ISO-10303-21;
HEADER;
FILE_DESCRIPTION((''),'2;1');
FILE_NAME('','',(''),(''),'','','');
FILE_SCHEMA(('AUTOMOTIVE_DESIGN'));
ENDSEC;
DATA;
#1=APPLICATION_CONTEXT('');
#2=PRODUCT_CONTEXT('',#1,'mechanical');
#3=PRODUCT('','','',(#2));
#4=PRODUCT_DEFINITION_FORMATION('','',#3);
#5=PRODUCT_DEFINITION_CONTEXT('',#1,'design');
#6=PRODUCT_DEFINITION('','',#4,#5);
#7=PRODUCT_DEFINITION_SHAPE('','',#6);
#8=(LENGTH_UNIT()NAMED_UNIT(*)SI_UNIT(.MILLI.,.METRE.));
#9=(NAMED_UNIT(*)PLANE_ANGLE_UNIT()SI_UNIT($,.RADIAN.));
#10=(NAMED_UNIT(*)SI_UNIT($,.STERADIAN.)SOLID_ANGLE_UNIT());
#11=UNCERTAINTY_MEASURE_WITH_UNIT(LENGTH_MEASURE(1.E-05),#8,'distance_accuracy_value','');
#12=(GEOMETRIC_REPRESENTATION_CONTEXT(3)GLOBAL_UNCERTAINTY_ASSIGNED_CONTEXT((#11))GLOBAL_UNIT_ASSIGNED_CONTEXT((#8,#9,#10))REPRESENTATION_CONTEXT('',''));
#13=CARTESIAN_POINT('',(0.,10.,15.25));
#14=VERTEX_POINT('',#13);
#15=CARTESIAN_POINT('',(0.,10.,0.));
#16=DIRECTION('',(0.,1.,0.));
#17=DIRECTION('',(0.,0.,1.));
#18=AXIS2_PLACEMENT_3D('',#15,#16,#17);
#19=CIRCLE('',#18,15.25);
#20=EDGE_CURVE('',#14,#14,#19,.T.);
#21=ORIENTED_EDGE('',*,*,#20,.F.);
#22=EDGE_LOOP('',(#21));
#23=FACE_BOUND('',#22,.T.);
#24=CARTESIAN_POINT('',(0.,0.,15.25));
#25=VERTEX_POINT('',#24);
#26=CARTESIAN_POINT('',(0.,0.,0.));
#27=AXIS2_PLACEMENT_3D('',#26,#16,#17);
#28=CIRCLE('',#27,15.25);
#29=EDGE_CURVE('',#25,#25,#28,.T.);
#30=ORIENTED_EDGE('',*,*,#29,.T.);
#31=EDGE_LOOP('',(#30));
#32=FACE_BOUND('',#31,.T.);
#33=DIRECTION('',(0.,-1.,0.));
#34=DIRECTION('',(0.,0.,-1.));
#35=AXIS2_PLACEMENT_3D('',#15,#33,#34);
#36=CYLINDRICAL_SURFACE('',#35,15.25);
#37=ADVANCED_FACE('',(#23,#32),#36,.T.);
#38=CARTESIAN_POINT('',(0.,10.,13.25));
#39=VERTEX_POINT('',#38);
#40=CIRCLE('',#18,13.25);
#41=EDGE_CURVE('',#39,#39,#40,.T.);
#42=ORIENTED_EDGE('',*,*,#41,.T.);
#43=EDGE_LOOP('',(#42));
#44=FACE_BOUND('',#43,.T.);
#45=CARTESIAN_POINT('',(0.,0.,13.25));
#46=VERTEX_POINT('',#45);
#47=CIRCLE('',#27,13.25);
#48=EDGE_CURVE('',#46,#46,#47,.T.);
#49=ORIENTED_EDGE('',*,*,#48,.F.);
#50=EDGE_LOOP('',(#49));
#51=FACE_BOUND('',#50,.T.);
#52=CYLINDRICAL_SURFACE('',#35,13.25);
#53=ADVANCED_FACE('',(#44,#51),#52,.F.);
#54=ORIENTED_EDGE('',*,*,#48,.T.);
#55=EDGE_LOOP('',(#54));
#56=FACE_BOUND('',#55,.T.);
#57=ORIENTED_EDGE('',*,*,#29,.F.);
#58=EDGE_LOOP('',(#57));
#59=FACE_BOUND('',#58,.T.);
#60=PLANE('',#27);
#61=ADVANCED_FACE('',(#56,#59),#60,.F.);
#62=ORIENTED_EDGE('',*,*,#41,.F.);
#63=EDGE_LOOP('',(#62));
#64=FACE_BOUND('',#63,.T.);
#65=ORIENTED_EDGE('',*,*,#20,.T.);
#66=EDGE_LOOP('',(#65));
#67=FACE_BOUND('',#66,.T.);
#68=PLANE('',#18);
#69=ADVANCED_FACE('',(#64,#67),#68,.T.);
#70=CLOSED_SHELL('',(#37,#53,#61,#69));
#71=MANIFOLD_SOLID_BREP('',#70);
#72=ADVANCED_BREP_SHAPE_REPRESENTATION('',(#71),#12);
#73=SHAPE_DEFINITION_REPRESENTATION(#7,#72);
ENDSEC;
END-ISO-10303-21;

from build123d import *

# Parameters (mm, degrees)
SKETCH_2_R      = 15.25
SKETCH_2_R_2    = 13.25
EXTRUDE_1_DEPTH = 10


with BuildPart() as part:
    # ｽｹｯﾁ2 → ﾎﾞｽ - 押し出し1 (new body)
    with BuildSketch(Plane(origin=(0, 0, 0), x_dir=(1, 0, 0), z_dir=(0, 1, 0))):
        Circle(SKETCH_2_R)
        Circle(SKETCH_2_R_2, mode=Mode.SUBTRACT)
    extrude(amount=EXTRUDE_1_DEPTH)


solid = part.part
